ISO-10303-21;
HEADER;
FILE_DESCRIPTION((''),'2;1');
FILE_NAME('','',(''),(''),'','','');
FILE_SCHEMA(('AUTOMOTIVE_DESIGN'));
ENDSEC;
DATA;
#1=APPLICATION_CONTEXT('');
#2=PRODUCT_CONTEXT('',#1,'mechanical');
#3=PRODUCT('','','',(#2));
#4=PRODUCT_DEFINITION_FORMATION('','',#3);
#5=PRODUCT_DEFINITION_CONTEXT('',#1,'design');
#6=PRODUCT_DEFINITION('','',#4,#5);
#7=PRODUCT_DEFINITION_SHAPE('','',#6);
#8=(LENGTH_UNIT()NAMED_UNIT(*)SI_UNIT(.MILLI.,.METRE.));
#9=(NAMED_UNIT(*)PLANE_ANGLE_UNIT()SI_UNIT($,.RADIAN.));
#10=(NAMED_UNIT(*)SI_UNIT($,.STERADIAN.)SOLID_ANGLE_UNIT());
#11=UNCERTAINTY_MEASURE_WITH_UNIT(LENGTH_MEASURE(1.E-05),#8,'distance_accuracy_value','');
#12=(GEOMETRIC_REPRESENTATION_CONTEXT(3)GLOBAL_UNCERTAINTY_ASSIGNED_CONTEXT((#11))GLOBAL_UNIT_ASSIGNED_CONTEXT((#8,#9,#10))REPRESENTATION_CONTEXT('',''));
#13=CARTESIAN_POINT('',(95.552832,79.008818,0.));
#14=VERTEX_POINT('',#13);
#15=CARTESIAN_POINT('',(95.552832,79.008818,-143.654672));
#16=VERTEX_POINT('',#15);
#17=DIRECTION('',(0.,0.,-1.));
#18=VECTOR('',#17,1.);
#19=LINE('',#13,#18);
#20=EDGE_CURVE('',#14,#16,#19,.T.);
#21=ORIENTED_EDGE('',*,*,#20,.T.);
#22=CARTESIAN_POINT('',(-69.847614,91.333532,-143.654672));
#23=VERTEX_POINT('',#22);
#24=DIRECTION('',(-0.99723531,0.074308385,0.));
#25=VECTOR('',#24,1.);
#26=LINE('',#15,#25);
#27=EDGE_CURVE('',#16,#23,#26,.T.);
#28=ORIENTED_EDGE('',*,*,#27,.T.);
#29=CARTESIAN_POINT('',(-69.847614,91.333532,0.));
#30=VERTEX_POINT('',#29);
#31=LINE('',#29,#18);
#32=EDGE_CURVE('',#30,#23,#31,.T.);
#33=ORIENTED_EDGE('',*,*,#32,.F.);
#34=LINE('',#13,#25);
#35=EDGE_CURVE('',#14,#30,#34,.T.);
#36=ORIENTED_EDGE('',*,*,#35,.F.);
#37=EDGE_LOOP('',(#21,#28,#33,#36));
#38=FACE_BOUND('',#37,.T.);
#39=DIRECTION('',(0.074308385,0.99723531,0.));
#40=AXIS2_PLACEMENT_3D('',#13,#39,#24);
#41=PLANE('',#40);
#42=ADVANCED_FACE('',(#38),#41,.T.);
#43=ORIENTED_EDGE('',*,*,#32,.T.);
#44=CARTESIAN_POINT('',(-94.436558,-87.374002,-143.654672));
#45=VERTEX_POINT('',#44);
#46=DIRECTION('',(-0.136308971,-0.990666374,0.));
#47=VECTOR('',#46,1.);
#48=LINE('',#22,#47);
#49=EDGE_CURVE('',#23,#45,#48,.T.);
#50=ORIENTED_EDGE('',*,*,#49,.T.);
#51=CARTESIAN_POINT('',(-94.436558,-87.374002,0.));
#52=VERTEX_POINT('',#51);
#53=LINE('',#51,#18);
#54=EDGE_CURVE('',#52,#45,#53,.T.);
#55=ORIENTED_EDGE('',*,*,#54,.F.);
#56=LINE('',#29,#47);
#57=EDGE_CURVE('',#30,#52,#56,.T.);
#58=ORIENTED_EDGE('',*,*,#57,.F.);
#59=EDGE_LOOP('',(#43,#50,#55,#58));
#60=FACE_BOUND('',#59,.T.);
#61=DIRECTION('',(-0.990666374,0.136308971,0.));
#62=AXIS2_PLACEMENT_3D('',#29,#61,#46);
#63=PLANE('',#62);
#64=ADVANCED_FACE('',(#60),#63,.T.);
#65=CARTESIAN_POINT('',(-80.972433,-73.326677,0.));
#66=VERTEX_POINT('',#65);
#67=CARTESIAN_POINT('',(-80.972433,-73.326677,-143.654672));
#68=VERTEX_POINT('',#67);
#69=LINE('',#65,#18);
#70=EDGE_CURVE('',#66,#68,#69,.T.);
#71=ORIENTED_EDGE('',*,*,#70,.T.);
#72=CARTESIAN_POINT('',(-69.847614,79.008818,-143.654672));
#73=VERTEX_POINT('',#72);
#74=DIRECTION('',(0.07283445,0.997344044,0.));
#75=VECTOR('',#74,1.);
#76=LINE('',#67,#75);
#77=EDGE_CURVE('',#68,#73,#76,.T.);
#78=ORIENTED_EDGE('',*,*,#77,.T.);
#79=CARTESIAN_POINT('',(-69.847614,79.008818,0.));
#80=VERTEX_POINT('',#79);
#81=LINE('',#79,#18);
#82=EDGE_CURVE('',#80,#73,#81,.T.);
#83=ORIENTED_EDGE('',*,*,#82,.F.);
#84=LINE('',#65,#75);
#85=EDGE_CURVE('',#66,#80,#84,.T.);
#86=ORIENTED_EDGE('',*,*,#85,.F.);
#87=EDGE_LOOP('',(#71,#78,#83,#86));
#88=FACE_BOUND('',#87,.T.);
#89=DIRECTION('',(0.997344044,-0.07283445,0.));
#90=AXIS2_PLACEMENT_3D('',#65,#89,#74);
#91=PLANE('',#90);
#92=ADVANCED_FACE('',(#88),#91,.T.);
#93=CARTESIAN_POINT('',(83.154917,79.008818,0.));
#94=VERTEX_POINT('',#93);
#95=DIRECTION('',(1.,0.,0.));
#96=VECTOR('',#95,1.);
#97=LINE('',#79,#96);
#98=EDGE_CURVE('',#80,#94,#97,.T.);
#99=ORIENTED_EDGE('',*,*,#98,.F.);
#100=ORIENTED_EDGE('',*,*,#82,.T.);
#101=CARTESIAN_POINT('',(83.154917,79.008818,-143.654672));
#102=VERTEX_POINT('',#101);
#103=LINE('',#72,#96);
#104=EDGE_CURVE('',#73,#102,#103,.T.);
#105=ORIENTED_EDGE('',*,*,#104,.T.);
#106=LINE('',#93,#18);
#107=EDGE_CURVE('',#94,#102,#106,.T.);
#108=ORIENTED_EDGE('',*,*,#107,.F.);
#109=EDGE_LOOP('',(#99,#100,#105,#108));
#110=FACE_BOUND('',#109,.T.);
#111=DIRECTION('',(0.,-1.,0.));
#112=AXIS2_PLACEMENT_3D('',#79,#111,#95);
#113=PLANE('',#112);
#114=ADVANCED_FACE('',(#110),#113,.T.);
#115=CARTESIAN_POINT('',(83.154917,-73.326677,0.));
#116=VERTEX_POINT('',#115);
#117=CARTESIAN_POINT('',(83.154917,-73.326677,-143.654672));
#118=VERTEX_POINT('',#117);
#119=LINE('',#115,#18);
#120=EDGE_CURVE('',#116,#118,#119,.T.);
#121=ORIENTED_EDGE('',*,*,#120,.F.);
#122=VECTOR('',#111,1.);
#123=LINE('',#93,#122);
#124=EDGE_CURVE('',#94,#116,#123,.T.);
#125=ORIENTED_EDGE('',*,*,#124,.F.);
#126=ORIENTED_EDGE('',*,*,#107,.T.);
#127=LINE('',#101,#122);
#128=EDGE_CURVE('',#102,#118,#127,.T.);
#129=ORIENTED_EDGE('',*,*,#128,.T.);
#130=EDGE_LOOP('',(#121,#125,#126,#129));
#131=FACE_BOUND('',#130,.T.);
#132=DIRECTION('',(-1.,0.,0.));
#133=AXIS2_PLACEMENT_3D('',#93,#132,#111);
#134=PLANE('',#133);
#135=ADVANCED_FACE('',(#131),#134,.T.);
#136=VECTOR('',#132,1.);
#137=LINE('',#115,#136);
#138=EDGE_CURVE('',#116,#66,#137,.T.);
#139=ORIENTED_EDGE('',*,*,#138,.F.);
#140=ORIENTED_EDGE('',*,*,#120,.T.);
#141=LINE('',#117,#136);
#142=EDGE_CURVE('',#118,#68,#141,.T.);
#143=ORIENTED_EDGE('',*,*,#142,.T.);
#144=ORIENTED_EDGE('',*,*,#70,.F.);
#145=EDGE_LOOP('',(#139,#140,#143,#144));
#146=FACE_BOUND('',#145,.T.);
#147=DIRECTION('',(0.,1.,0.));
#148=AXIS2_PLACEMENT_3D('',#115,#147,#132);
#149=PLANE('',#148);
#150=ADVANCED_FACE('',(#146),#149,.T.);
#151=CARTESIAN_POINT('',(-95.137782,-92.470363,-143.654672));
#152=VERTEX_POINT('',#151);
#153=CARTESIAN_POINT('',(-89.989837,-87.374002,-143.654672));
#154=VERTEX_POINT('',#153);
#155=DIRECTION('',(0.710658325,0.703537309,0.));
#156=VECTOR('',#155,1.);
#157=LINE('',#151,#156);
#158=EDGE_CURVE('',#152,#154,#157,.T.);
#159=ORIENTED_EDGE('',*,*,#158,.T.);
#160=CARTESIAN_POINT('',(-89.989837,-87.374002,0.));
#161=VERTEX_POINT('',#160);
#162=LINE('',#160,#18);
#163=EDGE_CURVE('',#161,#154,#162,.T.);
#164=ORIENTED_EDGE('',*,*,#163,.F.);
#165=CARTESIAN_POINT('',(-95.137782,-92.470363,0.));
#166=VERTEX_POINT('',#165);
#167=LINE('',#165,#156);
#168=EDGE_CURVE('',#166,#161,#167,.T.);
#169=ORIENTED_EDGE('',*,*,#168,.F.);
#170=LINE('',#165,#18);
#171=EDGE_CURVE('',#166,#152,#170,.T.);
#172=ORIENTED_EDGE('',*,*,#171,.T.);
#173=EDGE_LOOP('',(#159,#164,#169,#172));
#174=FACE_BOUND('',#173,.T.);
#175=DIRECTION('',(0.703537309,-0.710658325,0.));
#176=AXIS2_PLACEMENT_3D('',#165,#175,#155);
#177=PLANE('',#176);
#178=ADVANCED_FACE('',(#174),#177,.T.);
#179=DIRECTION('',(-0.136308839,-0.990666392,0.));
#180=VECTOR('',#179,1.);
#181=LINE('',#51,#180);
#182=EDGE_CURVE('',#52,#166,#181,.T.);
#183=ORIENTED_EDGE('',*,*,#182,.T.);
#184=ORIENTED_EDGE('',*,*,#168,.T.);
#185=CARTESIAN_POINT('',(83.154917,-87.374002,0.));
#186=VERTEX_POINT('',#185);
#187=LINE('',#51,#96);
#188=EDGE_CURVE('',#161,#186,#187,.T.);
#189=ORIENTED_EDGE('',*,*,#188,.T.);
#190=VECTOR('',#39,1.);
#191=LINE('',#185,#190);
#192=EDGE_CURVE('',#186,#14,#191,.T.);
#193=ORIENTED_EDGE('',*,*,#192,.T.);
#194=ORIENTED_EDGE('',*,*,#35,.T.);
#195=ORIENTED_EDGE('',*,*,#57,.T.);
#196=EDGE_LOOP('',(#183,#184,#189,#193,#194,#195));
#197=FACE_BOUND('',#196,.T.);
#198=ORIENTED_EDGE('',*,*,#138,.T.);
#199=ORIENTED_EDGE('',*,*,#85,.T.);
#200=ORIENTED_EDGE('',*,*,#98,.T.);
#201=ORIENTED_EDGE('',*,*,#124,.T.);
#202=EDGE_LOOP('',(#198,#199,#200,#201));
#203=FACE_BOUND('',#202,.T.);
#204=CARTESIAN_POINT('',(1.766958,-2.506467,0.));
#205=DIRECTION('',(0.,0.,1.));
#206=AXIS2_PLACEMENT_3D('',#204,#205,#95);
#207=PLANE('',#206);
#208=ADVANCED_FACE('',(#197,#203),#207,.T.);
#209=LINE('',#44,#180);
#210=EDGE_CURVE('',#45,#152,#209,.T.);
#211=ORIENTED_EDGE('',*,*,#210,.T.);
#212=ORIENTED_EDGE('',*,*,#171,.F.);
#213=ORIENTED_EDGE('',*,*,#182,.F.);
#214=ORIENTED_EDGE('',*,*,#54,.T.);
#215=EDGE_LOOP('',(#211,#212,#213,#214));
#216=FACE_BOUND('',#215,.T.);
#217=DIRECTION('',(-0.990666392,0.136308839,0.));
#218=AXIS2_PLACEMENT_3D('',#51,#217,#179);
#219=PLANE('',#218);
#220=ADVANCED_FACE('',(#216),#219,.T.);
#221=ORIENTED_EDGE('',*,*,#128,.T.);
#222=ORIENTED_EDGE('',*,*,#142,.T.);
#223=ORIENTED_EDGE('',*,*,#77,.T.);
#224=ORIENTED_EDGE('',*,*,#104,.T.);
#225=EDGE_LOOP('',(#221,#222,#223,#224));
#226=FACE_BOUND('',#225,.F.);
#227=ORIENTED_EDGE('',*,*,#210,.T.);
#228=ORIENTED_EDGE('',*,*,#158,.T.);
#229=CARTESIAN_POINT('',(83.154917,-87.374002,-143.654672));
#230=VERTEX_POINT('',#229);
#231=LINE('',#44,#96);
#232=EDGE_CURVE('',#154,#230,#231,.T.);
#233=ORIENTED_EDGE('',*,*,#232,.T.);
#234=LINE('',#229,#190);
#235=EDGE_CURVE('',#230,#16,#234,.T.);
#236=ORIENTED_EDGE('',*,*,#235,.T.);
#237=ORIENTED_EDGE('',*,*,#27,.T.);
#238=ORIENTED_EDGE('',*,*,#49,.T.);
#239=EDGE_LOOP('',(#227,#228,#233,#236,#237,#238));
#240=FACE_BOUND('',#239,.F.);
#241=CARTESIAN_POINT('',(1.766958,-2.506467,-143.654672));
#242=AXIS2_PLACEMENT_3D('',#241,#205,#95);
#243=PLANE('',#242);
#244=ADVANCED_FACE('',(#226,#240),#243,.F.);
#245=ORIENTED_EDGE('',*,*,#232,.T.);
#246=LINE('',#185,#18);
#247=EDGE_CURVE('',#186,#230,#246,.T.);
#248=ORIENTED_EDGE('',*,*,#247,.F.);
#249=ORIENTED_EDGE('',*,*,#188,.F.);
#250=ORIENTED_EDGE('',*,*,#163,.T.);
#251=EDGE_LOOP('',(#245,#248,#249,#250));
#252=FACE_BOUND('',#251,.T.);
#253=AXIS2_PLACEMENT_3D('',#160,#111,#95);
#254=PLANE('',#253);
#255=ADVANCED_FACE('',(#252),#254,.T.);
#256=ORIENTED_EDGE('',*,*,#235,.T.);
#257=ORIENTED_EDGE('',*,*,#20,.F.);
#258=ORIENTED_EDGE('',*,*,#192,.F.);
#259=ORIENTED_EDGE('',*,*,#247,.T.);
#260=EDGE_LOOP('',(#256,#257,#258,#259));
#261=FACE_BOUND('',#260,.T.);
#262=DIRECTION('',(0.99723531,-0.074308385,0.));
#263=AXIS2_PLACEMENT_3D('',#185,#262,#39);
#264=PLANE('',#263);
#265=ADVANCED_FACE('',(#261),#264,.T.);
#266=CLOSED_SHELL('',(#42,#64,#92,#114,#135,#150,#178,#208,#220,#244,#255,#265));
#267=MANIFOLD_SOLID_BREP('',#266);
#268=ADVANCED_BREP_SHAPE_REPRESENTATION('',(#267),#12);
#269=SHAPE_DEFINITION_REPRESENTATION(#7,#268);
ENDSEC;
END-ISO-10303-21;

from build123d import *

# Parameters (mm, degrees)
F1_DEPTH = 143.654672


with BuildPart() as f1:
    # F0 (on Top) → F1 (new body)
    with BuildSketch(Plane.XY):
        Polygon((-69.847614, 91.333532), (-94.436558, -87.374002), (-89.989837, -87.374002), (83.154917, -87.374002), (95.552832, 79.008818), align=None)
        Polygon((83.154917, -73.326677), (-80.972433, -73.326677), (-69.847614, 79.008818), (83.154917, 79.008818), align=None, mode=Mode.SUBTRACT)
        Polygon((-89.989837, -87.374002), (-94.436558, -87.374002), (-95.137782, -92.470363), align=None)
    extrude(amount=-F1_DEPTH)


solid = f1.part
